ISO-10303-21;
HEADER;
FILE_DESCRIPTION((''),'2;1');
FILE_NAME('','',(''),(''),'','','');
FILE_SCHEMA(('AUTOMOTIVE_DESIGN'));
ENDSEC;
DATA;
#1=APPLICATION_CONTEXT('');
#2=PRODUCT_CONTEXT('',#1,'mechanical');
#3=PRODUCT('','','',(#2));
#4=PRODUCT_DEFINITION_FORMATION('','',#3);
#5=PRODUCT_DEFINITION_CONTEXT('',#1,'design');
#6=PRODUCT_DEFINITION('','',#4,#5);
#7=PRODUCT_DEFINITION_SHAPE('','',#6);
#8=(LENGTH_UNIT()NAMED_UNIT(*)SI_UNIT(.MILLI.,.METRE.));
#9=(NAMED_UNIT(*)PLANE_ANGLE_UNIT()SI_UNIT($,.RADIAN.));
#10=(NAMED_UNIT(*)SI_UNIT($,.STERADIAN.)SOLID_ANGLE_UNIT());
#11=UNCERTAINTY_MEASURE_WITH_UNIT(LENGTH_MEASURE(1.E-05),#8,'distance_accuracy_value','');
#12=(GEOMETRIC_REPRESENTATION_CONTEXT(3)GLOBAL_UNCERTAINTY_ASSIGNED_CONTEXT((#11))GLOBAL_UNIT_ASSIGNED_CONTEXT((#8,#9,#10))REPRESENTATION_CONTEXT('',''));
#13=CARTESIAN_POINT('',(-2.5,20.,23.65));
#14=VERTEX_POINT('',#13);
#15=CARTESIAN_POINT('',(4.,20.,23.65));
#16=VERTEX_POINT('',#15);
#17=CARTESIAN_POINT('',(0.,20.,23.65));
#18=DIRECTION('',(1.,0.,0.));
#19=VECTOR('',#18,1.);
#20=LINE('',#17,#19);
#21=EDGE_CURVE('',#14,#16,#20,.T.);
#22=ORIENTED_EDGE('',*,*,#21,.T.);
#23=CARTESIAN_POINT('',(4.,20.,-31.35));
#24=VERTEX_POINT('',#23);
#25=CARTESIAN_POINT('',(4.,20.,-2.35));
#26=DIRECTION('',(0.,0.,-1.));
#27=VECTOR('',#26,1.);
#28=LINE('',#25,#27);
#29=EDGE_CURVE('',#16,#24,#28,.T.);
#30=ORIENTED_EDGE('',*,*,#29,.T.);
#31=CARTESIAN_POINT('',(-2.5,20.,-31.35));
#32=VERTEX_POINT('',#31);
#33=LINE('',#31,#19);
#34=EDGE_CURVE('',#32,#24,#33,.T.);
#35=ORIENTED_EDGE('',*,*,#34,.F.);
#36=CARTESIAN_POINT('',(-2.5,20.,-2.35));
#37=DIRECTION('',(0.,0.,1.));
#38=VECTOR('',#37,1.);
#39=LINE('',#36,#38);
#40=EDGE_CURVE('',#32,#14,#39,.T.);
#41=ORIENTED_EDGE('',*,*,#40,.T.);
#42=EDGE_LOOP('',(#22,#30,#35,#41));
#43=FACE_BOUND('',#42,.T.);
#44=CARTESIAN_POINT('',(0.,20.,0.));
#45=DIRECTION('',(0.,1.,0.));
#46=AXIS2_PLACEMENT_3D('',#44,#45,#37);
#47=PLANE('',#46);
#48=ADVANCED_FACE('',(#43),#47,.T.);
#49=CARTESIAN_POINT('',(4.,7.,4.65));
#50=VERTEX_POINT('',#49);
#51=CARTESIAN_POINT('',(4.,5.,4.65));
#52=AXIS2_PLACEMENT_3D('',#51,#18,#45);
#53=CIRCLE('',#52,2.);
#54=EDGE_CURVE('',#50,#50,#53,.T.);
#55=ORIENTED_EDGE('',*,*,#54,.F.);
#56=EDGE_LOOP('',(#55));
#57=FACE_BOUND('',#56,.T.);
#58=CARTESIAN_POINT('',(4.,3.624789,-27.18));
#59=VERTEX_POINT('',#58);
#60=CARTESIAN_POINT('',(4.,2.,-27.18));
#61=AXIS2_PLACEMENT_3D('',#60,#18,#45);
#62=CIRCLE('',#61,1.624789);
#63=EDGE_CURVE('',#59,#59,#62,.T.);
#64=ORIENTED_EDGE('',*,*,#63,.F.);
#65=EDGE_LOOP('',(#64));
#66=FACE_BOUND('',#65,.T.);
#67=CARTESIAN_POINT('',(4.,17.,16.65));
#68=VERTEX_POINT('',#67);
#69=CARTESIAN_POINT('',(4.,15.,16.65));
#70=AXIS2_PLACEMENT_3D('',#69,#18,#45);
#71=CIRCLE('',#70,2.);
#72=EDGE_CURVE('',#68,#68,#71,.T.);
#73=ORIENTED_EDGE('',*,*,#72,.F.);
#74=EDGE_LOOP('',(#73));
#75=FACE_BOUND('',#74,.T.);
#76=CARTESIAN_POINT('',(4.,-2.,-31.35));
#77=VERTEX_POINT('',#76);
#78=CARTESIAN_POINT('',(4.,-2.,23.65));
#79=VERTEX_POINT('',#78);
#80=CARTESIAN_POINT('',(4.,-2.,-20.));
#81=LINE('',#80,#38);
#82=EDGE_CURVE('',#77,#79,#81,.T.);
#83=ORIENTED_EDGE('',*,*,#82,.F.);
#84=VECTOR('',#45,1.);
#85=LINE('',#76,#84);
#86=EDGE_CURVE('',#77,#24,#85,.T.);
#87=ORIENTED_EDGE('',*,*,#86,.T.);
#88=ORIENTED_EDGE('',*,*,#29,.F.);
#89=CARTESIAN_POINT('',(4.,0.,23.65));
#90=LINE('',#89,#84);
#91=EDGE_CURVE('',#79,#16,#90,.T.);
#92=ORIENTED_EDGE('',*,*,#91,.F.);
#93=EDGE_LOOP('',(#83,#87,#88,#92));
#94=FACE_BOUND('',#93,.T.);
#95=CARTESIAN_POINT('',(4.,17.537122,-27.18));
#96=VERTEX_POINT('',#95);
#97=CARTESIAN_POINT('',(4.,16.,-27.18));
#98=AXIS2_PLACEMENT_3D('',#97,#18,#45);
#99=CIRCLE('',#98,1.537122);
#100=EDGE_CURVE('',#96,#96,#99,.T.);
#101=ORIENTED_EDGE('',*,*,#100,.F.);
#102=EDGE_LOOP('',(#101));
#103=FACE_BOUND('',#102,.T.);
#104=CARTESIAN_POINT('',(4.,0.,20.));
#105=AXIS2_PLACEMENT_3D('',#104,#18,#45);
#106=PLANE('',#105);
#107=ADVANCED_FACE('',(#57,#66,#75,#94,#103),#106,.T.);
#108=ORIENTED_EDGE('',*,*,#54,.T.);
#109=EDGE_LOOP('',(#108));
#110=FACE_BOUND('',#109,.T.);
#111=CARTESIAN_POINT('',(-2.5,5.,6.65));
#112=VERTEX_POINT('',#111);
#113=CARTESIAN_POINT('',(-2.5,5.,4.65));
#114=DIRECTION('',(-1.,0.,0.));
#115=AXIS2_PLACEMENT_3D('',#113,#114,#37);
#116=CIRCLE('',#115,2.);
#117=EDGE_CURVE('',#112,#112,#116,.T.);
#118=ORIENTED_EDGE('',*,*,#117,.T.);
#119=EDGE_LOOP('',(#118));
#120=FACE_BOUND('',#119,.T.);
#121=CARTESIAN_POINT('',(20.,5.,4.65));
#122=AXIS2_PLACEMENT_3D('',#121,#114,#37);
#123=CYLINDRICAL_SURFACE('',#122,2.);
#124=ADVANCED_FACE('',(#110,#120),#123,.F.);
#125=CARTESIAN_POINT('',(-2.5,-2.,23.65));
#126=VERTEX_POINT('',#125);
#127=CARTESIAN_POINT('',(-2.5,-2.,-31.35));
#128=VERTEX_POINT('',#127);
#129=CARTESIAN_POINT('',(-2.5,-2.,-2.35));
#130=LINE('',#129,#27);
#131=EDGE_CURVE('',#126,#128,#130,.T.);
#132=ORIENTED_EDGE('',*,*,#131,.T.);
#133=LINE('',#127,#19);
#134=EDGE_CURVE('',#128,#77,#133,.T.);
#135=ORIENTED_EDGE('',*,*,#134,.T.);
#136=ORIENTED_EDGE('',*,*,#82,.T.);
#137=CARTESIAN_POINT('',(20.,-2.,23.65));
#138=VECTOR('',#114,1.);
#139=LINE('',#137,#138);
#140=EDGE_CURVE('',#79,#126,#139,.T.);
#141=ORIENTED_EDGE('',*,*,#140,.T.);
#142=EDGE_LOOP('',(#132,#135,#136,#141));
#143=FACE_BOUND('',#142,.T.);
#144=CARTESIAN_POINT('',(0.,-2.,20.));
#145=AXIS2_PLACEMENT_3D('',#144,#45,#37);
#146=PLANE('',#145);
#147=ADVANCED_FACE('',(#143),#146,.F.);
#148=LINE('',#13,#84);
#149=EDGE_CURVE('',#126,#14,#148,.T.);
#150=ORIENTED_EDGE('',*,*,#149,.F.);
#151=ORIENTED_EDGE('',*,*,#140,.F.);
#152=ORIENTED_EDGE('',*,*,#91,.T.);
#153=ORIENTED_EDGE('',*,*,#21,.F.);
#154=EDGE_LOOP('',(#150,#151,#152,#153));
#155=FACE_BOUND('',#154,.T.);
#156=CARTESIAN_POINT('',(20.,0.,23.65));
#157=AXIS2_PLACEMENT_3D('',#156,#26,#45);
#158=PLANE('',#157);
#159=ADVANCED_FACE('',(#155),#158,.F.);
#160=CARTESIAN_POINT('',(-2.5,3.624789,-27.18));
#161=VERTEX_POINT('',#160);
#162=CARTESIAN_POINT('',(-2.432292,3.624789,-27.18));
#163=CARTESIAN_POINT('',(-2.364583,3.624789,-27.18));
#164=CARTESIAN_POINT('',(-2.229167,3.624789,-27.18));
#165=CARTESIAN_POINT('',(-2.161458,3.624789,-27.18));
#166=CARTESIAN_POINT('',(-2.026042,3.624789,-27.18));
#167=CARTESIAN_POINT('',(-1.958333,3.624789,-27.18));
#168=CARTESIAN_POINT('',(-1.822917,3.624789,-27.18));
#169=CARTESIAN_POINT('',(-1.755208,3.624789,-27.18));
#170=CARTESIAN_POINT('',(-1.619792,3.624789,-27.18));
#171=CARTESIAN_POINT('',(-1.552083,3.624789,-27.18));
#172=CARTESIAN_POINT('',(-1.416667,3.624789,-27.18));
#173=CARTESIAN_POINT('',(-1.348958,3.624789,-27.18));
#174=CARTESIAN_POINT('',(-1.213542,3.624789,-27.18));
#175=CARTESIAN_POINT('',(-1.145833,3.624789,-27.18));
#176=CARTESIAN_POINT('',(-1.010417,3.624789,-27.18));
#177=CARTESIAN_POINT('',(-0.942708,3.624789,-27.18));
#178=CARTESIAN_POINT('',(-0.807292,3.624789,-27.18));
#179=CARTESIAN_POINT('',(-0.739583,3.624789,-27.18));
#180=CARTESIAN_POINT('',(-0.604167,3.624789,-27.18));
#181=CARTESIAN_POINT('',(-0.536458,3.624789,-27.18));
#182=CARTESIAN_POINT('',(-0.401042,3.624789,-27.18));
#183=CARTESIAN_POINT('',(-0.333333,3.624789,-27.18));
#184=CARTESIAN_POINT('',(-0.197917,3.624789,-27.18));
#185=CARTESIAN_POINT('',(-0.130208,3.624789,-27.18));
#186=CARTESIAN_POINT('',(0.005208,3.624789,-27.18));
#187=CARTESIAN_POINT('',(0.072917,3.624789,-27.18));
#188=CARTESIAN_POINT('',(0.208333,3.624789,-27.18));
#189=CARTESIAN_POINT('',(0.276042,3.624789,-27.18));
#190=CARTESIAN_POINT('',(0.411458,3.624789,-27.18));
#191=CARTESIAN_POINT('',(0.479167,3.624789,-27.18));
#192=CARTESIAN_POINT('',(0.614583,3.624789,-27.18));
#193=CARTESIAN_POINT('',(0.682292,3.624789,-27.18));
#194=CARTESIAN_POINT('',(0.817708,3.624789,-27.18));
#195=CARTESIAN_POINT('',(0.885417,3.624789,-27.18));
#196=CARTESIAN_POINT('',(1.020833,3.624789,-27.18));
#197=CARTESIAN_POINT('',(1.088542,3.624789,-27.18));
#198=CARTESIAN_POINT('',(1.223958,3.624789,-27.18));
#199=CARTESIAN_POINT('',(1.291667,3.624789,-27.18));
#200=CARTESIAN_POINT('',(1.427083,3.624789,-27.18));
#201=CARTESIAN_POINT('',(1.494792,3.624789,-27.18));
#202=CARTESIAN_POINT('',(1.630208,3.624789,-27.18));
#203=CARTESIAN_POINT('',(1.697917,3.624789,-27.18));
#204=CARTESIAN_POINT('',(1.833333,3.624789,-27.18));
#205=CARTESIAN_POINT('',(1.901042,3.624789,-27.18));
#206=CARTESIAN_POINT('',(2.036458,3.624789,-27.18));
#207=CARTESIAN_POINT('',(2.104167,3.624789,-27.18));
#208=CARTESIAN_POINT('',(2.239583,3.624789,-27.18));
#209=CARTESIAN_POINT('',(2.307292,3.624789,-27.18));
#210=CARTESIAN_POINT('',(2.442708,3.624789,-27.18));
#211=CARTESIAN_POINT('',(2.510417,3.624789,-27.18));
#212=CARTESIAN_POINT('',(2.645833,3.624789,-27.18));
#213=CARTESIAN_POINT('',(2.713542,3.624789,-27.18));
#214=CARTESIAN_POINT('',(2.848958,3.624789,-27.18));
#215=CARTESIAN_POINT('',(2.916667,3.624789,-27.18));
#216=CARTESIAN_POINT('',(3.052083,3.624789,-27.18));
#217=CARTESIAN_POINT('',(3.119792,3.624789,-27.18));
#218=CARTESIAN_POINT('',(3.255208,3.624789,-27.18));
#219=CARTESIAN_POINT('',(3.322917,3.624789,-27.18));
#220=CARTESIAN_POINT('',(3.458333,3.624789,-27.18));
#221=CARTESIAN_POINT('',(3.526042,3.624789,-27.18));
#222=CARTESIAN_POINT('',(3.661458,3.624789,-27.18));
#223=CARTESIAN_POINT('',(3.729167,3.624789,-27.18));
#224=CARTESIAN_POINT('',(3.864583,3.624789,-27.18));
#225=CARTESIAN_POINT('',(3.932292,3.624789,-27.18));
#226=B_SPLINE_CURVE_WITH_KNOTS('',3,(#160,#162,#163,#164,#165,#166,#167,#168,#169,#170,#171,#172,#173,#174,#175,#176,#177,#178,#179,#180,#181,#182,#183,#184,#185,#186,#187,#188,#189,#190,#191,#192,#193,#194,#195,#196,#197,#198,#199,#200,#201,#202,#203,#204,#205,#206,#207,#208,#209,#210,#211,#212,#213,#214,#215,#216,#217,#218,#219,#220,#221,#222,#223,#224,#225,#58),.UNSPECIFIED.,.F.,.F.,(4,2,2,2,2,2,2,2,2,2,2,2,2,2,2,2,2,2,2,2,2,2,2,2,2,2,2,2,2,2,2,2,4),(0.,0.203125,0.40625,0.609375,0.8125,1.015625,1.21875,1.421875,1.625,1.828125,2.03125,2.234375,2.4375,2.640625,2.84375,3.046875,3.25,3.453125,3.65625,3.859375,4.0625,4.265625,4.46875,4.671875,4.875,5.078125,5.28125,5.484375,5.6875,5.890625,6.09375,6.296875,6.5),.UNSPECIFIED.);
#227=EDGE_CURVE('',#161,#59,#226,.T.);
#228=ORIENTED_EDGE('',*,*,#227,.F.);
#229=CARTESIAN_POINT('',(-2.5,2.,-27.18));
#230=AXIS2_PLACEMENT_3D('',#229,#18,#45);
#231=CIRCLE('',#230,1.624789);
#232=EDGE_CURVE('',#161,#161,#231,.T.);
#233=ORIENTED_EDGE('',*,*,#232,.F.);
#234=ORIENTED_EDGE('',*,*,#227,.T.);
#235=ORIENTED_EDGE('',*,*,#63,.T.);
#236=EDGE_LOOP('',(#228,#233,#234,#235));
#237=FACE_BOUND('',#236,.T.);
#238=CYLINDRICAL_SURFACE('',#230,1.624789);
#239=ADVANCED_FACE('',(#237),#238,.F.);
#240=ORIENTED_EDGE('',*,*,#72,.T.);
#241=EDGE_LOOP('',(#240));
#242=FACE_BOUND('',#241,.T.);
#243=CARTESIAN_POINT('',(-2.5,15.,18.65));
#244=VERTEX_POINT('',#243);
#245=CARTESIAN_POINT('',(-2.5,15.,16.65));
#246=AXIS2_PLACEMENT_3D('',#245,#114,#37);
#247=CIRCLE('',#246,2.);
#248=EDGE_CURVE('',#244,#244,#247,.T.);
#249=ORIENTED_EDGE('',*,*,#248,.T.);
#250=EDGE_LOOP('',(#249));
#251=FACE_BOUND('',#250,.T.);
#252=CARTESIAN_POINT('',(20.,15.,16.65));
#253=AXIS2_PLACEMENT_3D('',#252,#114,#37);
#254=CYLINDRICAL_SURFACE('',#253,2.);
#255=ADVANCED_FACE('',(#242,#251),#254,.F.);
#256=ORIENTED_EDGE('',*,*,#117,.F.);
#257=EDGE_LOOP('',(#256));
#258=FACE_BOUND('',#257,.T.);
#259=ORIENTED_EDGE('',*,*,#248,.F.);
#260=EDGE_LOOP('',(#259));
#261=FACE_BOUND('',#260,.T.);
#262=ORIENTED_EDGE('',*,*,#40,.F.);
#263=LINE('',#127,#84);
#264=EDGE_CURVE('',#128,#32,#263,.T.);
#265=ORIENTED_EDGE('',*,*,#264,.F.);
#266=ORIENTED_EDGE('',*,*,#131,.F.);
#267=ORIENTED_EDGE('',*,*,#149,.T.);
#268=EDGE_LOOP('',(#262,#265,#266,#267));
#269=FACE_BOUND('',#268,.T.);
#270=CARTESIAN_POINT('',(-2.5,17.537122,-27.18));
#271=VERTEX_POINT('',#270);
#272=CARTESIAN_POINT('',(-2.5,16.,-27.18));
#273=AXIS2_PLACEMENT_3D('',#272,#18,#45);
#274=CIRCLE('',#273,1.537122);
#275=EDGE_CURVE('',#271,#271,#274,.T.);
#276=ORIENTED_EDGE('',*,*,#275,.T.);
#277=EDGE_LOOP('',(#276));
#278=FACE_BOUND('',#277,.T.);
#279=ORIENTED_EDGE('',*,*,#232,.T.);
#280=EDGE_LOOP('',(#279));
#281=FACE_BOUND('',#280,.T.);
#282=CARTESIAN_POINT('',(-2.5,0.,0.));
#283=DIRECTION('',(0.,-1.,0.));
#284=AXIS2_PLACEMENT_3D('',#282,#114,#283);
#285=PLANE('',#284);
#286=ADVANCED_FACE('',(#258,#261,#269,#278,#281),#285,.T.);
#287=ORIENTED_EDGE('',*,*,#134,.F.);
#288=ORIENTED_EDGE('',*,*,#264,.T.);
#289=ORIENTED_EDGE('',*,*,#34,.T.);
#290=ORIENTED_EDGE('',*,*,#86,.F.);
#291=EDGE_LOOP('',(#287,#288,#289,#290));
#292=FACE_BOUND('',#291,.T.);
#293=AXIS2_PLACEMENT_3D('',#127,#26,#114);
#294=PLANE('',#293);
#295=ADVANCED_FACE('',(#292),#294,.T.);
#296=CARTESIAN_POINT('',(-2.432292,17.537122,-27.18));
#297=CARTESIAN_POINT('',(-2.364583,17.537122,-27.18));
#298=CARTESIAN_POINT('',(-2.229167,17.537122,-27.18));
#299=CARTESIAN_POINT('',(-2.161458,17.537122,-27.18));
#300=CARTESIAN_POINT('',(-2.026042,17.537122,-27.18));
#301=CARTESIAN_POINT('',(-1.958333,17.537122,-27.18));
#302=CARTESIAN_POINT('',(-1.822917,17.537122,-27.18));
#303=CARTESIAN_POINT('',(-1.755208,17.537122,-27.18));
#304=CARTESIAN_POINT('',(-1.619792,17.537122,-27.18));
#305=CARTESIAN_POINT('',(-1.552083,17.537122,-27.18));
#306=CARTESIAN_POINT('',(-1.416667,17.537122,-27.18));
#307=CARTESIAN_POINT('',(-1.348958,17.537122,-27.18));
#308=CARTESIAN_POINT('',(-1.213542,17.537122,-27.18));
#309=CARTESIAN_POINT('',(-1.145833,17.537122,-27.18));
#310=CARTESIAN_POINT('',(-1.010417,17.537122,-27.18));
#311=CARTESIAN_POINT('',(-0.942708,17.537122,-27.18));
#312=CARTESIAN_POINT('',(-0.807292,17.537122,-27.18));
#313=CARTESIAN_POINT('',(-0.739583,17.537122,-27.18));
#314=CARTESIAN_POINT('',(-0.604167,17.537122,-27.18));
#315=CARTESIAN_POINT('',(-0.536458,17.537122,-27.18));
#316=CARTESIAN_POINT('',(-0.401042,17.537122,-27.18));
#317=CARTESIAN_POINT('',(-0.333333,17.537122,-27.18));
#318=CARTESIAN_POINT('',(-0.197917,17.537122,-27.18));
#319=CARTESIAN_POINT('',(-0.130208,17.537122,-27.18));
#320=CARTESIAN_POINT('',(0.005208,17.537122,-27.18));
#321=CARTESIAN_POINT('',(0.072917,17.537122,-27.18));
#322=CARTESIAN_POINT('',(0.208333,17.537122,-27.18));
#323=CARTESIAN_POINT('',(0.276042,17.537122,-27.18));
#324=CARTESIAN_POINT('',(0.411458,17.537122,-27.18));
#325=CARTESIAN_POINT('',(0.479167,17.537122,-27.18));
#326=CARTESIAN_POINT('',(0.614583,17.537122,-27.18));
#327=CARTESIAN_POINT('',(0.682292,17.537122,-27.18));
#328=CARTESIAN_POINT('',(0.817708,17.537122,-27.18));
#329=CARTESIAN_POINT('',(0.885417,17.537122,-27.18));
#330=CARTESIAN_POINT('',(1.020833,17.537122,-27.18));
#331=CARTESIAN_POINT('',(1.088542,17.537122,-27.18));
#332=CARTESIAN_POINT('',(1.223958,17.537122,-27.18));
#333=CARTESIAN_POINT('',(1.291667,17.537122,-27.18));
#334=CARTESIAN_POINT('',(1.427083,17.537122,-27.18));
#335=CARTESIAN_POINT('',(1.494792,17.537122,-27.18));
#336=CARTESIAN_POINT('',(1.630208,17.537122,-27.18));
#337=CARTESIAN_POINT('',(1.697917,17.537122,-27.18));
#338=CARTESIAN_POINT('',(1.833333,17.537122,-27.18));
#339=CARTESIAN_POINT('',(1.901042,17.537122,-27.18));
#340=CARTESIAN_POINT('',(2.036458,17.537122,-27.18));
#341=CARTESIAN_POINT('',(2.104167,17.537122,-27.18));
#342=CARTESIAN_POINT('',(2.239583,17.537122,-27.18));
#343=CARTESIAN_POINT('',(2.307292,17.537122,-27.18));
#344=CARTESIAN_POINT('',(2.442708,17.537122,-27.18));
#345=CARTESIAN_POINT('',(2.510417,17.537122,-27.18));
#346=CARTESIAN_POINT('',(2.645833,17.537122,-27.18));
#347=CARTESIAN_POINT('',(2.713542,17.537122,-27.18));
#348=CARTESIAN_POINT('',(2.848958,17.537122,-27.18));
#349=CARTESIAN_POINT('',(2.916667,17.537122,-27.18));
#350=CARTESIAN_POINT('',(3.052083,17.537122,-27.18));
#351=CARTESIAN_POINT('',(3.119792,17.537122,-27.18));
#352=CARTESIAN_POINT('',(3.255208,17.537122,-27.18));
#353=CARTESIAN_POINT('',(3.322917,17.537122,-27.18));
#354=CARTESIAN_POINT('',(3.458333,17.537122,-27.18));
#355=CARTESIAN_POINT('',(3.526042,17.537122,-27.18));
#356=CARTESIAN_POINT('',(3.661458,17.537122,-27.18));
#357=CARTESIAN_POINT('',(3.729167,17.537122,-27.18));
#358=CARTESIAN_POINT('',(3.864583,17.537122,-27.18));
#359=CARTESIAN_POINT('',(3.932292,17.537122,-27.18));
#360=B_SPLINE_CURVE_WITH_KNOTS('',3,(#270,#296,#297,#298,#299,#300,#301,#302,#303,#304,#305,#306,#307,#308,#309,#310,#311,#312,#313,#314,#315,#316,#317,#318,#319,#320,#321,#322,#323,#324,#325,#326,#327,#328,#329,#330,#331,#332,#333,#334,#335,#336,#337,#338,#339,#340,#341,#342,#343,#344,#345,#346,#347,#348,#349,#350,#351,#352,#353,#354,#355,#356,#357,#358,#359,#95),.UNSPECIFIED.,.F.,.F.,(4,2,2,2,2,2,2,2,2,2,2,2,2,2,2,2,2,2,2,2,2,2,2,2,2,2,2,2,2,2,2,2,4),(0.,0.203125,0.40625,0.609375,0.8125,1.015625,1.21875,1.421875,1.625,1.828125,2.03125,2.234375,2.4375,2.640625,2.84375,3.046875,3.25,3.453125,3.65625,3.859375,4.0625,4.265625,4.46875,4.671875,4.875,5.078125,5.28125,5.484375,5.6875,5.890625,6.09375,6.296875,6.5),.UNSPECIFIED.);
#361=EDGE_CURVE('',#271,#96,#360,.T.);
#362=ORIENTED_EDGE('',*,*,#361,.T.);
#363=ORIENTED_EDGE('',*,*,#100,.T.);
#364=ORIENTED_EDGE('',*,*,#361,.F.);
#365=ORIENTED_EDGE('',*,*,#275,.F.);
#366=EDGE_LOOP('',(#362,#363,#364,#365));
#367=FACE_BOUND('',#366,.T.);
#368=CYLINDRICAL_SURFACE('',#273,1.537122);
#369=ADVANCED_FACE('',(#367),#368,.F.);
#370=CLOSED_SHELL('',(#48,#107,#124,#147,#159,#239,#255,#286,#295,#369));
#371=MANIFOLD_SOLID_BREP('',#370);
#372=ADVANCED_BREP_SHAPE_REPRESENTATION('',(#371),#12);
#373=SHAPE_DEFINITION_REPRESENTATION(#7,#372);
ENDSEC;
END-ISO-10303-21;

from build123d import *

# Parameters (mm, degrees)
BOSS_EXTRU_1_DEPTH      = 20
ESQUISSE3_W             = 4
ESQUISSE3_H             = 18
BOSS_EXTRU_2_DEPTH      = 20
ESQUISSE4_W             = 4
ESQUISSE4_H             = 18
BOSS_EXTRU_3_DEPTH      = 20
ESQUISSE5_W             = 17.65
ESQUISSE5_H             = 18
ESQUISSE5_W_2           = 16.35
ESQUISSE5_R             = 2
ENL_V_MAT_EXTRU_1_DEPTH = 20
ESQUISSE6_W             = 4
ESQUISSE6_H             = 26
BOSS_EXTRU_4_DEPTH      = 4
ESQUISSE7_R             = 2
ENL_V_MAT_EXTRU_2_DEPTH = 4
ESQUISSE8_R             = 2
ENL_V_MAT_EXTRU_3_DEPTH = 4
ESQUISSE9_W             = 4
ESQUISSE9_H             = 26
BOSS_EXTRU_5_DEPTH      = 8
ENL_V_MAT_EXTRU_5_DEPTH = 8
ESQUISSE13_W            = 20.25
ESQUISSE13_H            = 28
ENL_V_MAT_EXTRU_7_DEPTH = 46.255524525
ESQUISSE14_W            = 29
ESQUISSE14_H            = 22
ESQUISSE14_R            = 1.537122226
ESQUISSE14_R_2          = 1.624788677
BOSS_EXTRU_6_DEPTH      = 6.5
BOSS_EXTRU_7_START      = 2.5
ESQUISSE15_W            = 26
ESQUISSE15_H            = 22
ESQUISSE15_R            = 2
BOSS_EXTRU_7_DEPTH      = 2.5


with BuildPart() as part:
    # Esquisse1 → Boss.-Extru.1 (new body)
    with BuildSketch(Plane.XY):
        Polygon((0, 16), (0, 0), (24.25, 0), (24.25, 2), (4, 2), (4, 16), align=None)
        Polygon((24.25, 0), (0, 0), (0, -2), (20.25, -2), (20.25, -24), (24.25, -24), align=None)
    extrude(amount=BOSS_EXTRU_1_DEPTH)

    # Esquisse3 → Boss.-Extru.2 (add)
    with BuildSketch(Plane(origin=(0, 0, 0), x_dir=(-1, 0, 0), z_dir=(0, 0, -1))):
        with Locations((-2, 7)):
            Rectangle(ESQUISSE3_W, ESQUISSE3_H)
    extrude(amount=BOSS_EXTRU_2_DEPTH)

    # Esquisse4 → Boss.-Extru.3 (add)
    with BuildSketch(Plane.XY.offset(20)):
        with Locations((2, 7)):
            Rectangle(ESQUISSE4_W, ESQUISSE4_H)
    extrude(amount=BOSS_EXTRU_3_DEPTH)

    # Esquisse5 → Enlèv. mat.-Extru.1 (cut)
    with BuildSketch(Plane.ZY):
        with Locations((-11.175, 7)):
            Rectangle(ESQUISSE5_W, ESQUISSE5_H)
        with Locations((31.825, 7)):
            Rectangle(ESQUISSE5_W_2, ESQUISSE5_H)
        with Locations((16.65, 15)):
            Circle(ESQUISSE5_R)
        with Locations((4.65, 5)):
            Circle(ESQUISSE5_R)
    extrude(amount=-ENL_V_MAT_EXTRU_1_DEPTH, mode=Mode.SUBTRACT)

    # Esquisse6 → Boss.-Extru.4 (add)
    with BuildSketch(Plane(origin=(0, 16, 0), x_dir=(1, 0, 0), z_dir=(0, 1, 0))):
        with Locations((2, -10.65)):
            Rectangle(ESQUISSE6_W, ESQUISSE6_H)
    extrude(amount=BOSS_EXTRU_4_DEPTH)

    # Esquisse7 → Enlèv. mat.-Extru.2 (cut)
    with BuildSketch(Plane.ZY):
        with Locations((16.65, 15)):
            Circle(ESQUISSE7_R)
    extrude(amount=-ENL_V_MAT_EXTRU_2_DEPTH, mode=Mode.SUBTRACT)

    # Esquisse8 → Enlèv. mat.-Extru.3 (cut)
    with BuildSketch(Plane.ZY.offset(-20.25)):
        with Locations((20, -7)):
            Circle(ESQUISSE8_R)
        with Locations((20, -20)):
            Circle(ESQUISSE8_R)
    extrude(amount=-ENL_V_MAT_EXTRU_3_DEPTH, mode=Mode.SUBTRACT)

    # Esquisse9 → Boss.-Extru.5 (add)
    with BuildSketch(Plane.XY.offset(20)):
        with Locations((22.25, -11)):
            Rectangle(ESQUISSE9_W, ESQUISSE9_H)
    extrude(amount=BOSS_EXTRU_5_DEPTH)

    # Esquisse11 → Enlèv. mat.-Extru.5 (cut)
    with BuildSketch(Plane.ZY.offset(-20.25)):
        with BuildLine():
            ThreePointArc((20, -9), (21.414213562, -8.414213562), (22, -7))
            ThreePointArc((22, -7), (21.414213562, -5.585786438), (20, -5))
            Line((20, -5), (20, -9))
        make_face()
        with BuildLine():
            Line((20, -9), (20, -5))
            ThreePointArc((20, -5), (18, -7), (20, -9))
        make_face()
        with BuildLine():
            ThreePointArc((20, -22), (21.414213562, -21.414213562), (22, -20))
            ThreePointArc((22, -20), (21.414213562, -18.585786438), (20, -18))
            Line((20, -18), (20, -22))
        make_face()
        with BuildLine():
            Line((20, -22), (20, -18))
            ThreePointArc((20, -18), (18, -20), (20, -22))
        make_face()
        Polygon((14, -24), (0, -2), (0, -24), align=None)
    extrude(amount=-ENL_V_MAT_EXTRU_5_DEPTH, mode=Mode.SUBTRACT)

    # Esquisse13 → Enlèv. mat.-Extru.7 (cut, through all)
    with BuildSketch(Plane(origin=(0, 2, 0), x_dir=(1, 0, 0), z_dir=(0, 1, 0))):
        with Locations((14.125, -14)):
            Rectangle(ESQUISSE13_W, ESQUISSE13_H)
    extrude(amount=-ENL_V_MAT_EXTRU_7_DEPTH, mode=Mode.SUBTRACT)

    # Esquisse14 → Boss.-Extru.6 (add)
    with BuildSketch(Plane(origin=(4, 0, 0), x_dir=(0, 0, -1), z_dir=(1, 0, 0))):
        with Locations((16.85, 9)):
            Rectangle(ESQUISSE14_W, ESQUISSE14_H)
        with Locations(Location((27.18, 16, 0), (0, 0, 90))):
            Circle(ESQUISSE14_R, mode=Mode.SUBTRACT)
        with Locations(Location((27.18, 2, 0), (0, 0, 90))):
            Circle(ESQUISSE14_R_2, mode=Mode.SUBTRACT)
    extrude(amount=-BOSS_EXTRU_6_DEPTH)

    # Esquisse15 → Boss.-Extru.7 (add)
    with BuildSketch(Plane.ZY.offset(BOSS_EXTRU_7_START)):
        with Locations((10.65, 9)):
            Rectangle(ESQUISSE15_W, ESQUISSE15_H)
        with Locations((4.65, 5)):
            Circle(ESQUISSE15_R, mode=Mode.SUBTRACT)
        with Locations((16.65, 15)):
            Circle(ESQUISSE15_R, mode=Mode.SUBTRACT)
    extrude(amount=-BOSS_EXTRU_7_DEPTH)


solid = part.part
